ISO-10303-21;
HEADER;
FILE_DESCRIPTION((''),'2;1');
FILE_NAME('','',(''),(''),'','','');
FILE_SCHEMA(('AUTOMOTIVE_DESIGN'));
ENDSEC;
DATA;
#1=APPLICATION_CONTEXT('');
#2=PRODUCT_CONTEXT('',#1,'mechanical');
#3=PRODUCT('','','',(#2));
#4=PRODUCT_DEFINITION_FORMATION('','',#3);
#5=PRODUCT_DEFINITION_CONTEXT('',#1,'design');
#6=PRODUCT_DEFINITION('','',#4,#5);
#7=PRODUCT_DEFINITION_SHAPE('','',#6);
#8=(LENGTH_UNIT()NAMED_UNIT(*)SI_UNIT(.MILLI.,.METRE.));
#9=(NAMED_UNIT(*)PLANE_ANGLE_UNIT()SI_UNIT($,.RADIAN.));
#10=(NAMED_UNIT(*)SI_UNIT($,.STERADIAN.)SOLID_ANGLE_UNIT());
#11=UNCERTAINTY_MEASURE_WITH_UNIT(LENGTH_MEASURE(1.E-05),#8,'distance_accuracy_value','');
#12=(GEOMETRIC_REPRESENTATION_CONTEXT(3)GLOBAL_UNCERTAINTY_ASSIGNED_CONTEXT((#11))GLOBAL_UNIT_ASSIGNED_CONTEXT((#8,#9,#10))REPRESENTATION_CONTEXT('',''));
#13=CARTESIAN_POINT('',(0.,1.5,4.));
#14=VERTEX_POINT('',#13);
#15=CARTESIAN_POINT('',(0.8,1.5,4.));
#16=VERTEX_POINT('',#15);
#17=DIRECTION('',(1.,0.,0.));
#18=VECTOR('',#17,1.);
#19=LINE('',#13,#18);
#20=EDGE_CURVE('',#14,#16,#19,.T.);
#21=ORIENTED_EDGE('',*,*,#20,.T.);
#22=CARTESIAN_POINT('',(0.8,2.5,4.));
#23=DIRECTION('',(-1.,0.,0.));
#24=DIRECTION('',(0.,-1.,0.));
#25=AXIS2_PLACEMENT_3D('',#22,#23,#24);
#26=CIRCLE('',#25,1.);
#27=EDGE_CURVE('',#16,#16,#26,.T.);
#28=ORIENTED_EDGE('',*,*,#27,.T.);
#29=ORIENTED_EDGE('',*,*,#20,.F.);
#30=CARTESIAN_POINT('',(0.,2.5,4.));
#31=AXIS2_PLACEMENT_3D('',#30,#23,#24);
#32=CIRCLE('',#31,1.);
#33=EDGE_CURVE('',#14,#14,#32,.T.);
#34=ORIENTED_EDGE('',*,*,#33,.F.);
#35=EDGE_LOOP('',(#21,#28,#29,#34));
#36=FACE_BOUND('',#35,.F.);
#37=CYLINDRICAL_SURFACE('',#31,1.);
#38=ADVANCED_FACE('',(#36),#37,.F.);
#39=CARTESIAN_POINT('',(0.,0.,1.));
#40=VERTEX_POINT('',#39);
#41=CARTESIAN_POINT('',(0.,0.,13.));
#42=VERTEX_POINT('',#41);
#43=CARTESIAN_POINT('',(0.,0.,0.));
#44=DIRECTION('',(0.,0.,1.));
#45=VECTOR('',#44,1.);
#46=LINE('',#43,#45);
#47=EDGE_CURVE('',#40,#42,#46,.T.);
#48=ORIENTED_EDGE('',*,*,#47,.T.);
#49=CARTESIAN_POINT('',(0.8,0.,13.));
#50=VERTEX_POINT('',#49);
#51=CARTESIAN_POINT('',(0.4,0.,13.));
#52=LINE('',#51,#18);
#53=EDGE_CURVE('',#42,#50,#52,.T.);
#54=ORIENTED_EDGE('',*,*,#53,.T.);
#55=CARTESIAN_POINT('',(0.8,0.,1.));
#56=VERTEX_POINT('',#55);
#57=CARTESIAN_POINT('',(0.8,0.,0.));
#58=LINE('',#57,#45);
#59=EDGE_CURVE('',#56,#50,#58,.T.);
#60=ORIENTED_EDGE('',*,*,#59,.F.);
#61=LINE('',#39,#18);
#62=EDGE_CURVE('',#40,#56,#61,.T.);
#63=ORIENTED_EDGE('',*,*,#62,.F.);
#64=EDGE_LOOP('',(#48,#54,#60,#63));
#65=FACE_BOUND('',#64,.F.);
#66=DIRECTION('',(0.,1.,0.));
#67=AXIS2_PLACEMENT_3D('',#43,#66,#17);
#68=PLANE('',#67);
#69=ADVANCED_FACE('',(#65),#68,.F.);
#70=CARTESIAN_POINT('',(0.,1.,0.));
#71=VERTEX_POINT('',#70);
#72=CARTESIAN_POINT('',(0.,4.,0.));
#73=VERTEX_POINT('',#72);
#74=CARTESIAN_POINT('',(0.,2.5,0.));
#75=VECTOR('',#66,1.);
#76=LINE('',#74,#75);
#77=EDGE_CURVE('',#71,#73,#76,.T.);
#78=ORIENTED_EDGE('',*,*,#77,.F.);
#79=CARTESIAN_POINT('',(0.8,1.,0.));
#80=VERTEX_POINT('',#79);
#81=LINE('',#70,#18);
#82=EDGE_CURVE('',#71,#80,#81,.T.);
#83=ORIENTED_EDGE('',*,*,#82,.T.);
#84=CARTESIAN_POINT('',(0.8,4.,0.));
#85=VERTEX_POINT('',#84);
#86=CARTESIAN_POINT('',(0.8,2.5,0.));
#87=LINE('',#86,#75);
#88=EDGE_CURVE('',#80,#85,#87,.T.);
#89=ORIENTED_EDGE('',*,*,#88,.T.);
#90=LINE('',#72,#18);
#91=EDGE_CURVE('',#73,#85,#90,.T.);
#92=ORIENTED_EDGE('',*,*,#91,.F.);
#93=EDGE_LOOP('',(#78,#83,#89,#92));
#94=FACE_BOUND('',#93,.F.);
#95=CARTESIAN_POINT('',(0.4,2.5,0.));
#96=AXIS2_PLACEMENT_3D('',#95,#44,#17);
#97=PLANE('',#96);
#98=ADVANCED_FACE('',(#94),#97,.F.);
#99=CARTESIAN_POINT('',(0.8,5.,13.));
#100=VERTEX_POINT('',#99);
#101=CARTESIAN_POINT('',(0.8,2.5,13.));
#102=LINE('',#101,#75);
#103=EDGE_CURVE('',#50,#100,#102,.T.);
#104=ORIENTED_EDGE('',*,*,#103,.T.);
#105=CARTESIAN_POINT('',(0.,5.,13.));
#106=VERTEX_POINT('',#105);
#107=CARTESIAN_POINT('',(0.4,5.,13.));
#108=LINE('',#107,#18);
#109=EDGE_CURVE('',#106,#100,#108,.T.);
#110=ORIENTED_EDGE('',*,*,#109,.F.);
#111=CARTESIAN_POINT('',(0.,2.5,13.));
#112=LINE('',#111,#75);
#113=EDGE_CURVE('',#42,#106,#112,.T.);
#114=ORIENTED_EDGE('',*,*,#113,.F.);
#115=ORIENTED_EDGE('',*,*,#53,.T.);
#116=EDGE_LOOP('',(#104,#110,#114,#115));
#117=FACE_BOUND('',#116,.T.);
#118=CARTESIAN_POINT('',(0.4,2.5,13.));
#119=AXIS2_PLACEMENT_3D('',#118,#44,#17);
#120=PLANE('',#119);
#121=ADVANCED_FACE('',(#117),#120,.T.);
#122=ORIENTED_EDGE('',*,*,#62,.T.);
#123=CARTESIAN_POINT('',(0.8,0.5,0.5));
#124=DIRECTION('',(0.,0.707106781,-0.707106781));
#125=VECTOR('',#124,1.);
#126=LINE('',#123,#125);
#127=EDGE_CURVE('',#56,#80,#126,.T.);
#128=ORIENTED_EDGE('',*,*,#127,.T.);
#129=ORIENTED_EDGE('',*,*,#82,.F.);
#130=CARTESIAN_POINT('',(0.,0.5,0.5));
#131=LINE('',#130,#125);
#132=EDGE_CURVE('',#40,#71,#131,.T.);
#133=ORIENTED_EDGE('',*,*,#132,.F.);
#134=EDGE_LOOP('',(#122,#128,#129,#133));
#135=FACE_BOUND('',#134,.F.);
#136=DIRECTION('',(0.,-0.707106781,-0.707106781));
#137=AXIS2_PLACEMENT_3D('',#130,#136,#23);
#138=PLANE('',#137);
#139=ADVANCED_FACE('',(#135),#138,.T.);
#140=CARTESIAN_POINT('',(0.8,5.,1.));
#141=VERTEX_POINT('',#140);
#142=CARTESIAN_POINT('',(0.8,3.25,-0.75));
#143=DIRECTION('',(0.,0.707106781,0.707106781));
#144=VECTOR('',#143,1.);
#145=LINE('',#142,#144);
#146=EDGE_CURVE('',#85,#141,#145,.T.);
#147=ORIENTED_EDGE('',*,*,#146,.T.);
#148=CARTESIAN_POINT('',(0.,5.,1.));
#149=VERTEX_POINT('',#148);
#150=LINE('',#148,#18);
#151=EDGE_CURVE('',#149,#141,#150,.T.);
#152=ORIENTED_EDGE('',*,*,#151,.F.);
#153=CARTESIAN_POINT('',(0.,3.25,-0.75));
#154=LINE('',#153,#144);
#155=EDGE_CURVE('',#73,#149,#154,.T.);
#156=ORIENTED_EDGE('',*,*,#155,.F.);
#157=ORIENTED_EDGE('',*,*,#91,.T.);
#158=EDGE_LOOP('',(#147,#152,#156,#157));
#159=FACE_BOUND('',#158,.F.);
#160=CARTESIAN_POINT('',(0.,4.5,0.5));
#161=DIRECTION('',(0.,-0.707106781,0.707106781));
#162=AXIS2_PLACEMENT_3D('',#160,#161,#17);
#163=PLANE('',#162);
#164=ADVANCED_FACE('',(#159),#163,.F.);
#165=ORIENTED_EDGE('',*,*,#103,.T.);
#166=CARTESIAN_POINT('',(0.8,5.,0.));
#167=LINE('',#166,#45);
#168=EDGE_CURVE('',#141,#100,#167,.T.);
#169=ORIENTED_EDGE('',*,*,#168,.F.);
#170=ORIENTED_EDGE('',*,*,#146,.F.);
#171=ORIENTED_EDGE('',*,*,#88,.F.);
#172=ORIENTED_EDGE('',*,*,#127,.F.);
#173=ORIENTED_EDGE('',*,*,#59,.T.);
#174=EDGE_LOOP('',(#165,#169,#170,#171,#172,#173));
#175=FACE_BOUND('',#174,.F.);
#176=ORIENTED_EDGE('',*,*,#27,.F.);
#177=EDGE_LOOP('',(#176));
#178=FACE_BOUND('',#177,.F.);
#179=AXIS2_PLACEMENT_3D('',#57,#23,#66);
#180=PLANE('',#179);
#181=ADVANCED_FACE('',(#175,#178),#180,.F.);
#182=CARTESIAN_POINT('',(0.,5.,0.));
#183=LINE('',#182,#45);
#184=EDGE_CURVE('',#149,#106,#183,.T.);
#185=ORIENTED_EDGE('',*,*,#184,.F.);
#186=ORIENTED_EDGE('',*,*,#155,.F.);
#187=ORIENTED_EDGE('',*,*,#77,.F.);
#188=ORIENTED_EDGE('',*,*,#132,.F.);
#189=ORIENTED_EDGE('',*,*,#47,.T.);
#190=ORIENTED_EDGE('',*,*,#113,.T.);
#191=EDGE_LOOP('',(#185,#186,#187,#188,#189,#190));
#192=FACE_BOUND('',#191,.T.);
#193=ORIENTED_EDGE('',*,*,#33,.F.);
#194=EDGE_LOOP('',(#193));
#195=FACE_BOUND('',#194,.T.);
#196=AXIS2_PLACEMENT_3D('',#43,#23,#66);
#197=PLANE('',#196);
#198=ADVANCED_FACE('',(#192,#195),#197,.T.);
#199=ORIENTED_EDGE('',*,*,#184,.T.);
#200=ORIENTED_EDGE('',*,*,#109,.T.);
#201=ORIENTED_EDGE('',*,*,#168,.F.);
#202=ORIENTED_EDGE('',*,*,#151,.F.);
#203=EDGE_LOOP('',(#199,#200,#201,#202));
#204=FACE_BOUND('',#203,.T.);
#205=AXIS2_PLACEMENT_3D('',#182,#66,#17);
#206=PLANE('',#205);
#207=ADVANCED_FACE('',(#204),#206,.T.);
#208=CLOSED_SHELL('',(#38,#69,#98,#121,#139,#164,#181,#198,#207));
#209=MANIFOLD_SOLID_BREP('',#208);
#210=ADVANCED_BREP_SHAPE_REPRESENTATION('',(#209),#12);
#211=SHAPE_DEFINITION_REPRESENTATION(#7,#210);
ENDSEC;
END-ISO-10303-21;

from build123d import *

# Parameters (mm, degrees)
F0_W     = 0.8
F0_H     = 5
F1_DEPTH = 13
F2_R     = 1
F3_DEPTH = 0.8
F4_SIZE  = 1


with BuildPart() as f1:
    # F0 (on Top) → F1 (new body)
    with BuildSketch(Plane.XY):
        with Locations((0.4, 2.5)):
            Rectangle(F0_W, F0_H)
    extrude(amount=F1_DEPTH)

    # F2 (on face) → F3 (cut, through all)
    with BuildSketch(Plane(origin=(0, 0, 0), x_dir=(0, -1, 0), z_dir=(-1, 0, 0))):
        with Locations((-2.5, 4)):
            Circle(F2_R)
    extrude(amount=-F3_DEPTH, mode=Mode.SUBTRACT)

    # F4
    f4_edges = [f1.edges().sort_by_distance(p)[0] for p in [
        (0.4, 5, 0),
        (0.4, 0, 0),
    ]]
    chamfer(f4_edges, length=F4_SIZE)


solid = f1.part
